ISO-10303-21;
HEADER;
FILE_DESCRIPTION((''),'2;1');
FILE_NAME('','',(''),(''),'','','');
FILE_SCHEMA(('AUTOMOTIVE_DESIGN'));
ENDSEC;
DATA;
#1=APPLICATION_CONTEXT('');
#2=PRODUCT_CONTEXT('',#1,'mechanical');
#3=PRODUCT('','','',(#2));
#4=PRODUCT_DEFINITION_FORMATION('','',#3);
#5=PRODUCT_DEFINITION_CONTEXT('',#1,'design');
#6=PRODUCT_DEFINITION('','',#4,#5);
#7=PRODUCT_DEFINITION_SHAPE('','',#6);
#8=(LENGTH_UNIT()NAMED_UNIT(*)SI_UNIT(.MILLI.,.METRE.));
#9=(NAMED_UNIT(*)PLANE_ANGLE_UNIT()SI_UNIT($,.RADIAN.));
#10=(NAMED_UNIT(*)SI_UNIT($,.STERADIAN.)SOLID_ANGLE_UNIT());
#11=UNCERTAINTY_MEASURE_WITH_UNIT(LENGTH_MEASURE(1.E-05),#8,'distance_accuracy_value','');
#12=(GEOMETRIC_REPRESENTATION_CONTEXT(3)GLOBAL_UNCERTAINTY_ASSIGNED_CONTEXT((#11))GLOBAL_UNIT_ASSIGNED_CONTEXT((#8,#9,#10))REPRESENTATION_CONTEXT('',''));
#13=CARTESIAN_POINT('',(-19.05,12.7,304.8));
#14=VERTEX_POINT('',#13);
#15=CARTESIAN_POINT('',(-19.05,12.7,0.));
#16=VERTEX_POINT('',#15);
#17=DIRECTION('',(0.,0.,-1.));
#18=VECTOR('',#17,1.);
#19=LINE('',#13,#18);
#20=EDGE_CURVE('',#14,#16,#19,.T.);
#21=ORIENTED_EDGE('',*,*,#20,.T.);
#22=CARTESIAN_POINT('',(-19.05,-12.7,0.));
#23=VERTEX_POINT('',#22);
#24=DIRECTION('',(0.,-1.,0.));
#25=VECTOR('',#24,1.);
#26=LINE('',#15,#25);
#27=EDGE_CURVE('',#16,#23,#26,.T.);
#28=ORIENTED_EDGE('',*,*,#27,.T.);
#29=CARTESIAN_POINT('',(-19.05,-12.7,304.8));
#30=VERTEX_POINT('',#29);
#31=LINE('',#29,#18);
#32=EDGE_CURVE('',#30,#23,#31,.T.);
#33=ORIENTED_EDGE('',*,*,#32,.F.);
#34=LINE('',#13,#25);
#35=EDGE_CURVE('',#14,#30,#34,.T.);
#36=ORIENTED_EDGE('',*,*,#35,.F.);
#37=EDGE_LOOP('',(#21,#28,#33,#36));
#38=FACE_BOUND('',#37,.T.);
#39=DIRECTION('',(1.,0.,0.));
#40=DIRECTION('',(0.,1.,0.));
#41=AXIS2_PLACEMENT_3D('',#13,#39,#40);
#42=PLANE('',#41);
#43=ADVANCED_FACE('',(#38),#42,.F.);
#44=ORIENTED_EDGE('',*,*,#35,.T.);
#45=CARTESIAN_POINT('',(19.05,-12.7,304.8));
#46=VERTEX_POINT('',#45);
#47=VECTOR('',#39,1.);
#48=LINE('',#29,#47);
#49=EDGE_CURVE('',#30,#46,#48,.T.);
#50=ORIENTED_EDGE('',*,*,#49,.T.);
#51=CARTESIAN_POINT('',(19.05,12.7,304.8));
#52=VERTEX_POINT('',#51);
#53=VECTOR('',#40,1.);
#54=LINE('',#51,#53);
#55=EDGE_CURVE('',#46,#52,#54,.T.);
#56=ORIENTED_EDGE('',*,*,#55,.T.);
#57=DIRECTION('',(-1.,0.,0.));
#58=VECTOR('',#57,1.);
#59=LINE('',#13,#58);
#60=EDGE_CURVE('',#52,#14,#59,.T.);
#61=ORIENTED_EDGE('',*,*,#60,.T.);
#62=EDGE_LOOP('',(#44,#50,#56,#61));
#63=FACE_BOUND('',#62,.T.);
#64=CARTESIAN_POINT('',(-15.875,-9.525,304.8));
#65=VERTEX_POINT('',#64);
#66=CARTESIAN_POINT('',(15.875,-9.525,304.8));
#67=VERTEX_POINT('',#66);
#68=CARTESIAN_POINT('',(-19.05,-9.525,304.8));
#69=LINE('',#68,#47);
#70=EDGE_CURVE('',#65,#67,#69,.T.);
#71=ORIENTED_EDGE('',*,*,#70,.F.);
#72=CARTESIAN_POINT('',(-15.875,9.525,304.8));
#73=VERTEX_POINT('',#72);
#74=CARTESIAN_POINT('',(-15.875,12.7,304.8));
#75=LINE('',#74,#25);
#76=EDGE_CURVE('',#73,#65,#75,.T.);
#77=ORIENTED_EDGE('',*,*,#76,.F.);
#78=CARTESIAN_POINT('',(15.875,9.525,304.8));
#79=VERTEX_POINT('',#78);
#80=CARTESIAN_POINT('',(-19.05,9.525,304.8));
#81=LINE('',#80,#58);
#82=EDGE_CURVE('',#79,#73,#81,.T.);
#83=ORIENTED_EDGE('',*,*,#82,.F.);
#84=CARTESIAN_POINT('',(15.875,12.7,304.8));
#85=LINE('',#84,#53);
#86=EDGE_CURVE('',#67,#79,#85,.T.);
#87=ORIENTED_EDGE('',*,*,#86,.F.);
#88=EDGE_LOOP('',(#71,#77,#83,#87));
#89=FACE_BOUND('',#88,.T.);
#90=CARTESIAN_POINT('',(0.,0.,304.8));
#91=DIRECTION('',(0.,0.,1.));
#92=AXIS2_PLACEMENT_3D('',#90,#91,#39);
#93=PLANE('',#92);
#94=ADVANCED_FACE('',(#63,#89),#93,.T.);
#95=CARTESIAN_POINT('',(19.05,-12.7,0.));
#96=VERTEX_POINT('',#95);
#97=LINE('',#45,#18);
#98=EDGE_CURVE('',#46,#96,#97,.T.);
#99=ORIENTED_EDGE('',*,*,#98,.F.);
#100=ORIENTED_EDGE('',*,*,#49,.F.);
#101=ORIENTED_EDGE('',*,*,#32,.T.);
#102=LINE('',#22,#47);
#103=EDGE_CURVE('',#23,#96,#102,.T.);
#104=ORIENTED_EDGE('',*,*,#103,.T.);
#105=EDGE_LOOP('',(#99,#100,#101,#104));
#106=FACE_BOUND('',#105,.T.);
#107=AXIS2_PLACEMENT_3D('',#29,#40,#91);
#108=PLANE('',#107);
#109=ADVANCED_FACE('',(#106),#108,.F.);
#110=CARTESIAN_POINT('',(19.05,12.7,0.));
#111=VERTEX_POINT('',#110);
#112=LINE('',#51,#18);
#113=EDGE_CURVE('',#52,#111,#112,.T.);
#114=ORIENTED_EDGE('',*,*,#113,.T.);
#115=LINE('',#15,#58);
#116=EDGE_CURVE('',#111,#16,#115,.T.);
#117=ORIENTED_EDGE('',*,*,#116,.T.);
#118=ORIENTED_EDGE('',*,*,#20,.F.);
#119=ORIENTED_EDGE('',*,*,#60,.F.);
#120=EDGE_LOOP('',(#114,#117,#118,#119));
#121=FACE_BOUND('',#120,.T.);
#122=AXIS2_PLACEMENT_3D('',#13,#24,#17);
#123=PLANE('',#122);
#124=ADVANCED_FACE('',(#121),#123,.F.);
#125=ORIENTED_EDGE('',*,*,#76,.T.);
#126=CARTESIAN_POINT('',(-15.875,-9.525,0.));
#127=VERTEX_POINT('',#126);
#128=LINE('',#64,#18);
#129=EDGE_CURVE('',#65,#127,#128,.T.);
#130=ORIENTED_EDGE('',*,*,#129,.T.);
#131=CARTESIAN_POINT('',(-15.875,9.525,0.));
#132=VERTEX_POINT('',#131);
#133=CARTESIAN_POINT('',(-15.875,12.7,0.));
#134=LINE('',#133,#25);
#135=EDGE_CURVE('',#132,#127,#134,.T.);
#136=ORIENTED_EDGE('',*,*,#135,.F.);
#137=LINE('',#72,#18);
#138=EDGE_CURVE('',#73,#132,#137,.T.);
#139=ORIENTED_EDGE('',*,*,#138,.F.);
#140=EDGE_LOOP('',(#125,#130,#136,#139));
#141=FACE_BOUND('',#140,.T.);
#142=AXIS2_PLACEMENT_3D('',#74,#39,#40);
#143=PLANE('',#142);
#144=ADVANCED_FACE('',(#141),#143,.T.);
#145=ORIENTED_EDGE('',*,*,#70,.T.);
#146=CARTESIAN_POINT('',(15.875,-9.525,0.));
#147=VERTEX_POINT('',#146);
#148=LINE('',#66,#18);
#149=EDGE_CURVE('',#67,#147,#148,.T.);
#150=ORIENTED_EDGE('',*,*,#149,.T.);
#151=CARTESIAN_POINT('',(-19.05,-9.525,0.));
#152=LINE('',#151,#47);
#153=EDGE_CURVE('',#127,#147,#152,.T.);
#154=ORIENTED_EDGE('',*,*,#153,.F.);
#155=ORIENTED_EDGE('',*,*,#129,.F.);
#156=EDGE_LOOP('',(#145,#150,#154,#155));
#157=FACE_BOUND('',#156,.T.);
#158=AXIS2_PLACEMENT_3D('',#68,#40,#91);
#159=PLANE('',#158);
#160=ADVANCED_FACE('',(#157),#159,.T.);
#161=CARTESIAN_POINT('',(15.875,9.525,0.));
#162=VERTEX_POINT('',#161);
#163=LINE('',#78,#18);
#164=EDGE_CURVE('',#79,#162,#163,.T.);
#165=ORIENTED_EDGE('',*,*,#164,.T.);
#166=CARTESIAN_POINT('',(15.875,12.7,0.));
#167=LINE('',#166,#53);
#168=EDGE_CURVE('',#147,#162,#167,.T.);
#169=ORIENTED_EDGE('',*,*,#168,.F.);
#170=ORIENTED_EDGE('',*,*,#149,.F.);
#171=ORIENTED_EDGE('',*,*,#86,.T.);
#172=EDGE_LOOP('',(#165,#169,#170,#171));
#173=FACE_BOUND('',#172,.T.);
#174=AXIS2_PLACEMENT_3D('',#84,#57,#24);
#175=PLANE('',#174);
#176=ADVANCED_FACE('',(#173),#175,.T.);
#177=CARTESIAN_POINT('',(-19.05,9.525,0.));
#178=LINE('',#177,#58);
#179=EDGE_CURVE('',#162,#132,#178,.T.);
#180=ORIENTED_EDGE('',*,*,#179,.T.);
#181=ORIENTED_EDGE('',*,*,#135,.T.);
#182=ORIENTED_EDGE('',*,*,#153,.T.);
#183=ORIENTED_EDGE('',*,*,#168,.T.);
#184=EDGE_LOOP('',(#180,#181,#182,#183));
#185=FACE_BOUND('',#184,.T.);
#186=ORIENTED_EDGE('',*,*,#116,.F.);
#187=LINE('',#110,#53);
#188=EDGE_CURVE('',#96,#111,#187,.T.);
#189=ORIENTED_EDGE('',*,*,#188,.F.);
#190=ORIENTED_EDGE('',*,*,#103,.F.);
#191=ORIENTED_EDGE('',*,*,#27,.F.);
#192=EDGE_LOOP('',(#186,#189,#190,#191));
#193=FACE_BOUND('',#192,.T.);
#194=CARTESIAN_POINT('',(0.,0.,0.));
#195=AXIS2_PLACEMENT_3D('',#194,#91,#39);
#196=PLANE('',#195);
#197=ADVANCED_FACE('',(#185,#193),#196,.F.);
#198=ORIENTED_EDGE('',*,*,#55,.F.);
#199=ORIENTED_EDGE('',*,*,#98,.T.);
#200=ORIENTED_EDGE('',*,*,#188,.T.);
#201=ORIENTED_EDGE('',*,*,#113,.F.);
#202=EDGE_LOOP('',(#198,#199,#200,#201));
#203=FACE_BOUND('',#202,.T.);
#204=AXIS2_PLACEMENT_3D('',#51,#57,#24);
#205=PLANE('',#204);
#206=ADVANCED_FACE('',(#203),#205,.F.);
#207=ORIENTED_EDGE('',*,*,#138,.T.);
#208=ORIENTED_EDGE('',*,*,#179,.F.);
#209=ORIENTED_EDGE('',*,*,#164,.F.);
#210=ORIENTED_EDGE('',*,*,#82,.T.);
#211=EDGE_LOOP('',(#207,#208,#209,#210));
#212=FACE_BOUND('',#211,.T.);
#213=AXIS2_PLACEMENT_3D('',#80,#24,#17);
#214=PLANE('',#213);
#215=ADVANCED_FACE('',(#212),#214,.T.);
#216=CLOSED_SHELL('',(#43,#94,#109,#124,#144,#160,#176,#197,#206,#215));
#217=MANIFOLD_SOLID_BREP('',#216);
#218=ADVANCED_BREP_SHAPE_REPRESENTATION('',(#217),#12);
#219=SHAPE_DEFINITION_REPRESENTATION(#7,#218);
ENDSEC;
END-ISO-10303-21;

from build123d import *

# Parameters (mm, degrees)
SKETCH1_W           = 38.1
SKETCH1_H           = 25.4
BOSS_EXTRUDE1_DEPTH = 304.8
SHELL1_T            = -3.175


with BuildPart() as part:
    # Sketch1 → Boss-Extrude1 (new body)
    with BuildSketch(Plane.XY):
        Rectangle(SKETCH1_W, SKETCH1_H)
    extrude(amount=BOSS_EXTRUDE1_DEPTH)

    # Shell1
    shell1_openings = [part.faces().sort_by_distance(p)[0] for p in [
        (0, 0, 304.8),
        (0, 0, 0),
    ]]
    offset(amount=SHELL1_T, openings=shell1_openings, kind=Kind.INTERSECTION)


solid = part.part
